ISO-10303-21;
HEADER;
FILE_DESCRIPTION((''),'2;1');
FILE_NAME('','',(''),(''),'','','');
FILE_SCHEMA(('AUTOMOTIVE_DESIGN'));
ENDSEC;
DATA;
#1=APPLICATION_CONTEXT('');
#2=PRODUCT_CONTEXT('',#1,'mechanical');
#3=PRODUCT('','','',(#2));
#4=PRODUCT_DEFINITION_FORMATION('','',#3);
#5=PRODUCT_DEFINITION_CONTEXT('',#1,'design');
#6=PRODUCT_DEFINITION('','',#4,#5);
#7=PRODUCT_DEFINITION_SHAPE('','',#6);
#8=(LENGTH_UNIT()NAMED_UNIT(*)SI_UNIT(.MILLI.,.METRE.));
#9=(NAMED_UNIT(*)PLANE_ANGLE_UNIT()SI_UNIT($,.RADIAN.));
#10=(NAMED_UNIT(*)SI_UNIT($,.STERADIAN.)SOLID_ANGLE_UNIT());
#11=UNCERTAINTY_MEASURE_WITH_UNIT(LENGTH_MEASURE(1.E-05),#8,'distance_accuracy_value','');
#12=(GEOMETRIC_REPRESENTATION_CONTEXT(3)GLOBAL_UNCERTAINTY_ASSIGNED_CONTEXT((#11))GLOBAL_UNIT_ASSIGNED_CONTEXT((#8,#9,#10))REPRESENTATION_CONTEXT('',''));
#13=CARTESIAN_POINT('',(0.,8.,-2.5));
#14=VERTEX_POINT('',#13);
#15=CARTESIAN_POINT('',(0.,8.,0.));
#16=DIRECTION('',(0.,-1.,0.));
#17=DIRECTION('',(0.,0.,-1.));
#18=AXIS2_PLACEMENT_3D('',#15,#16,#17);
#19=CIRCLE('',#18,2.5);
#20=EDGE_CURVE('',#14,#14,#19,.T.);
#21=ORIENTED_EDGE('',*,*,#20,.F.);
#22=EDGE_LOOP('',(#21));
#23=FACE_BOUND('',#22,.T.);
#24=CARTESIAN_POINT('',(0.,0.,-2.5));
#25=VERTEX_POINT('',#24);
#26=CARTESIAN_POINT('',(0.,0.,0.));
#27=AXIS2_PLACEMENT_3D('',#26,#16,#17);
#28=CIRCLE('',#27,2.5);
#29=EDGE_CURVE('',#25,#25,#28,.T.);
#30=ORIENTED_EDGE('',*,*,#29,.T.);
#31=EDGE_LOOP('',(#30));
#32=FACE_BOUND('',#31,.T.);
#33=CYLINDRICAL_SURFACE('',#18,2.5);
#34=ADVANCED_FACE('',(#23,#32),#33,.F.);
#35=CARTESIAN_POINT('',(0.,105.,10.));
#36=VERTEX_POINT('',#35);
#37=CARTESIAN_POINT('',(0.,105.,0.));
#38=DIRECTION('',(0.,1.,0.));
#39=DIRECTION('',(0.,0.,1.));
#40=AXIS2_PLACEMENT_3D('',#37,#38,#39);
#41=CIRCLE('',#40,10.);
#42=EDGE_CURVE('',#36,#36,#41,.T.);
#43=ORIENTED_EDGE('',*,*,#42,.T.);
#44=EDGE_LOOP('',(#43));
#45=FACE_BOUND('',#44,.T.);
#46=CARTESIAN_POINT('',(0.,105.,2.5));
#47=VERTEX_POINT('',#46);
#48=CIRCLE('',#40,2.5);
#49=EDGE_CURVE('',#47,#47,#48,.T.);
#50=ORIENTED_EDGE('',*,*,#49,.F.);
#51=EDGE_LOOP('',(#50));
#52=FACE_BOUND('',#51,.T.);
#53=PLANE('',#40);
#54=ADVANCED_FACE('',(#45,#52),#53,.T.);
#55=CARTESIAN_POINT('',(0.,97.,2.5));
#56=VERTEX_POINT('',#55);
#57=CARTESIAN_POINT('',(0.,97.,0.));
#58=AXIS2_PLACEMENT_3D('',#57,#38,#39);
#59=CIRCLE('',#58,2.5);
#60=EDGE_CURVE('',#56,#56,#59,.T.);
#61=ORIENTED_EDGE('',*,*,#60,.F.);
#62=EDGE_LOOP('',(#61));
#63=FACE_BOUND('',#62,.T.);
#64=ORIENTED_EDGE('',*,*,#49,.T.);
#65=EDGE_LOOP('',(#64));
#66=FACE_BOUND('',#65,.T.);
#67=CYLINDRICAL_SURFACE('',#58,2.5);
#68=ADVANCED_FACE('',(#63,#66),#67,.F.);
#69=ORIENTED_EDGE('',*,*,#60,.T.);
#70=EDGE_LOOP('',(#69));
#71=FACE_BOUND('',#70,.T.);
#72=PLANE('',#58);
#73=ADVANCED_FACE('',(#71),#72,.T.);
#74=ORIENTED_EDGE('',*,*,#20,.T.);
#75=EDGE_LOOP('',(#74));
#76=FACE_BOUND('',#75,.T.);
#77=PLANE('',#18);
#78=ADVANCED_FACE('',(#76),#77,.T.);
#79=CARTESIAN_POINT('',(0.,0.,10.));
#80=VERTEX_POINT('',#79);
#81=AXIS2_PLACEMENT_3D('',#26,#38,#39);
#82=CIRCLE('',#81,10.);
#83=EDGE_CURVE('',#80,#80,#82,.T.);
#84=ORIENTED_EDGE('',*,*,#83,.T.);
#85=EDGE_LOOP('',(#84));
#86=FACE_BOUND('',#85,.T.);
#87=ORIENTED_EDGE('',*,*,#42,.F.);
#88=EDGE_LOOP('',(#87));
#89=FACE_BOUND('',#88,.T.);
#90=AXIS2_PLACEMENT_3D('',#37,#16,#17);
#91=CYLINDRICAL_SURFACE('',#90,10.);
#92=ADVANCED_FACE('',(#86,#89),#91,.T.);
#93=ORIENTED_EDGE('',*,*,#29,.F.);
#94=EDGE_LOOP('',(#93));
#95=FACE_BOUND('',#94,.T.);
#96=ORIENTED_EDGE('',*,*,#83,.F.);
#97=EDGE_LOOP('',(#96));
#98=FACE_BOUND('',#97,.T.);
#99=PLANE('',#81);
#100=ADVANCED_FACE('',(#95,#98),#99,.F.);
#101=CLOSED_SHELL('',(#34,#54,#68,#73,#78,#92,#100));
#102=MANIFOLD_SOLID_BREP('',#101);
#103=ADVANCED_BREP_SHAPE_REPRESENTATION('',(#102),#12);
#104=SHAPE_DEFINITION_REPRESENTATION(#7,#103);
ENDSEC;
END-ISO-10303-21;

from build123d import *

# Parameters (mm, degrees)
SKETCH1_R           = 10
BOSS_EXTRUDE1_DEPTH = 105
SKETCH2_R           = 2.5
CUT_EXTRUDE1_DEPTH  = 8
SKETCH3_R           = 2.5
CUT_EXTRUDE2_DEPTH  = 8


with BuildPart() as part:
    # Sketch1 → Boss-Extrude1 (new body)
    with BuildSketch(Plane(origin=(0, 0, 0), x_dir=(1, 0, 0), z_dir=(0, 1, 0))):
        Circle(SKETCH1_R)
    extrude(amount=BOSS_EXTRUDE1_DEPTH)

    # Sketch2 → Cut-Extrude1 (cut)
    with BuildSketch(Plane(origin=(0, 105, 0), x_dir=(1, 0, 0), z_dir=(0, 1, 0))):
        Circle(SKETCH2_R)
    extrude(amount=-CUT_EXTRUDE1_DEPTH, mode=Mode.SUBTRACT)

    # Sketch3 → Cut-Extrude2 (cut)
    with BuildSketch(Plane(origin=(0, 0, 0), x_dir=(-1, 0, 0), z_dir=(0, -1, 0))):
        Circle(SKETCH3_R)
    extrude(amount=-CUT_EXTRUDE2_DEPTH, mode=Mode.SUBTRACT)


solid = part.part
